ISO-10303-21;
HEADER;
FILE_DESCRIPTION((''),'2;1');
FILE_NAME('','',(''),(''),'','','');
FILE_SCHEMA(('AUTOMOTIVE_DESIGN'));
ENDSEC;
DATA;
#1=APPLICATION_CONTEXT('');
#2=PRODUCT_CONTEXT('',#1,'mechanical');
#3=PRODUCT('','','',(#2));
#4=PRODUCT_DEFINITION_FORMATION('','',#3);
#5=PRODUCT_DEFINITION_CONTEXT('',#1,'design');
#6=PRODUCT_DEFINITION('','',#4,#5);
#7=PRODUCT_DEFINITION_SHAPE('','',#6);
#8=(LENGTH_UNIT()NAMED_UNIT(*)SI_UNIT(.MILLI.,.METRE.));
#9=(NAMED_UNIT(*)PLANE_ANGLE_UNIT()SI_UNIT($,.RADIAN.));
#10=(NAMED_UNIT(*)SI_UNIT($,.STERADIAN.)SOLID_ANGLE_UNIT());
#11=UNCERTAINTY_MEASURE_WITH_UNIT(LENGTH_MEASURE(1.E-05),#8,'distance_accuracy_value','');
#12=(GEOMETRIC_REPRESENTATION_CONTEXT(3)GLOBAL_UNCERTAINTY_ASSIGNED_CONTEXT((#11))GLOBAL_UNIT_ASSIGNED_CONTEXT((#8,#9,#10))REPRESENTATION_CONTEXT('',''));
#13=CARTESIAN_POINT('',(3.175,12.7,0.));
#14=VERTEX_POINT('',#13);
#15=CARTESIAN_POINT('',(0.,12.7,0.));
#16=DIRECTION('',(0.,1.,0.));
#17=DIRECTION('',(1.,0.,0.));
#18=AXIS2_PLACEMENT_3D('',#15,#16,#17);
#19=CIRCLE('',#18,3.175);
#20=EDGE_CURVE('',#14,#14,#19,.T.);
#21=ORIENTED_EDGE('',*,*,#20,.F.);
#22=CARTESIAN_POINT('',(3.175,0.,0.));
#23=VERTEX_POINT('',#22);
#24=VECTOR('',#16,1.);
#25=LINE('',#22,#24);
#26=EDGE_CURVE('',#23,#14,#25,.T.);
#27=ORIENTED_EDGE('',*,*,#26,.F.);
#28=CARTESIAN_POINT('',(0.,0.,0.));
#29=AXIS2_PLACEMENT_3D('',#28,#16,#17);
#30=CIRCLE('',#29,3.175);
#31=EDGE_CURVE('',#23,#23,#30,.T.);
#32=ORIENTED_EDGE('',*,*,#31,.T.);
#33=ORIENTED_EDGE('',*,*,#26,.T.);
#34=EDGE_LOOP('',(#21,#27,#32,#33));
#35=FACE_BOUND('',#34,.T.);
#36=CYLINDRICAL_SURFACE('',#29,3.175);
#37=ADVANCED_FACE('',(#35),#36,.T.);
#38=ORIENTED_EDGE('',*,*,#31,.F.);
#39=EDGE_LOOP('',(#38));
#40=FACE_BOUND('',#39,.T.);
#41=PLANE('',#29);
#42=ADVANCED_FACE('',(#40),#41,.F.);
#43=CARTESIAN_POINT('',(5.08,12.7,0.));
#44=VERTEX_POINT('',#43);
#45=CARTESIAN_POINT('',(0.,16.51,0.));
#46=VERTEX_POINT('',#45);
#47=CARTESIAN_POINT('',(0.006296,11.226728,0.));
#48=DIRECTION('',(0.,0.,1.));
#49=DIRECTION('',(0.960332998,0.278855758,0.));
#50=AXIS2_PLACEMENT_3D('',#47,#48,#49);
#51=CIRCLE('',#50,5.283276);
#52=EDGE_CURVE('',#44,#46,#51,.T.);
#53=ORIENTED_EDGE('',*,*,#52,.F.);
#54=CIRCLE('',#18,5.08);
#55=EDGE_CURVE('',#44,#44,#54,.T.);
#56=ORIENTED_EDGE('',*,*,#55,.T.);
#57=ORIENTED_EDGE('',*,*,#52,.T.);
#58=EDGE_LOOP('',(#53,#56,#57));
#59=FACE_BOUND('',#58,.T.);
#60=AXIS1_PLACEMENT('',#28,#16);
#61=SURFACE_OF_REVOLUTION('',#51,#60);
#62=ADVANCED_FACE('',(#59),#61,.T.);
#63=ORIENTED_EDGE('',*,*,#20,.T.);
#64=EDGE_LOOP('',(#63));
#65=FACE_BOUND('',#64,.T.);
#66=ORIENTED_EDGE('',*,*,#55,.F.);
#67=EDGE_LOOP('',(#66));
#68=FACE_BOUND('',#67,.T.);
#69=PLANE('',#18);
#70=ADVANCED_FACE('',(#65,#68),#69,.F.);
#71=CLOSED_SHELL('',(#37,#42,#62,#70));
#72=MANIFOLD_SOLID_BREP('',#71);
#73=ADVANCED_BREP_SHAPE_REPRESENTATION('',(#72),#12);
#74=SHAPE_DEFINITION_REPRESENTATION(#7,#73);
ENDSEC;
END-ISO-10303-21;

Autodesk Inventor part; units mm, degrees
ref_plane "YZ Plane" through (0, 0, 0) normal (1, 0, 0) x (0, 1, 0)
ref_plane "XZ Plane" through (0, 0, 0) normal (0, 1, 0) x (-1, 0, 0)
ref_plane "XY Plane" through (0, 0, 0) normal (0, 0, 1) x (1, 0, 0)
sketch "Hitch Peg Sketch" plane through (0, 0, 0) normal (0, 0, 1) x (1, 0, 0)
  line L0 (0, 0) -> (0, 16.51)
  line L1 (0, 0) -> (3.175, 0)
  line L2 (3.175, 0) -> (3.175, 12.7)
  line L3 (3.175, 12.7) -> (5.08, 12.7)
  arc A0 (5.08, 12.7) -> (0, 16.51) centre (0.0064, 11.2268) ccw
  dimension "d0" = 16.51
  dimension "d3" = 3.175
  dimension "d4" = 12.7
  dimension "d5" = 1.905
  dimension "d6" = 5.2832
revolve "Hitch Peg Revolve" add sketch "Hitch Peg Sketch" angle 360 about axis through (0, 0, 0) along (0, 1, 0)
properties part number "Caufield_Hitch_Peg"
